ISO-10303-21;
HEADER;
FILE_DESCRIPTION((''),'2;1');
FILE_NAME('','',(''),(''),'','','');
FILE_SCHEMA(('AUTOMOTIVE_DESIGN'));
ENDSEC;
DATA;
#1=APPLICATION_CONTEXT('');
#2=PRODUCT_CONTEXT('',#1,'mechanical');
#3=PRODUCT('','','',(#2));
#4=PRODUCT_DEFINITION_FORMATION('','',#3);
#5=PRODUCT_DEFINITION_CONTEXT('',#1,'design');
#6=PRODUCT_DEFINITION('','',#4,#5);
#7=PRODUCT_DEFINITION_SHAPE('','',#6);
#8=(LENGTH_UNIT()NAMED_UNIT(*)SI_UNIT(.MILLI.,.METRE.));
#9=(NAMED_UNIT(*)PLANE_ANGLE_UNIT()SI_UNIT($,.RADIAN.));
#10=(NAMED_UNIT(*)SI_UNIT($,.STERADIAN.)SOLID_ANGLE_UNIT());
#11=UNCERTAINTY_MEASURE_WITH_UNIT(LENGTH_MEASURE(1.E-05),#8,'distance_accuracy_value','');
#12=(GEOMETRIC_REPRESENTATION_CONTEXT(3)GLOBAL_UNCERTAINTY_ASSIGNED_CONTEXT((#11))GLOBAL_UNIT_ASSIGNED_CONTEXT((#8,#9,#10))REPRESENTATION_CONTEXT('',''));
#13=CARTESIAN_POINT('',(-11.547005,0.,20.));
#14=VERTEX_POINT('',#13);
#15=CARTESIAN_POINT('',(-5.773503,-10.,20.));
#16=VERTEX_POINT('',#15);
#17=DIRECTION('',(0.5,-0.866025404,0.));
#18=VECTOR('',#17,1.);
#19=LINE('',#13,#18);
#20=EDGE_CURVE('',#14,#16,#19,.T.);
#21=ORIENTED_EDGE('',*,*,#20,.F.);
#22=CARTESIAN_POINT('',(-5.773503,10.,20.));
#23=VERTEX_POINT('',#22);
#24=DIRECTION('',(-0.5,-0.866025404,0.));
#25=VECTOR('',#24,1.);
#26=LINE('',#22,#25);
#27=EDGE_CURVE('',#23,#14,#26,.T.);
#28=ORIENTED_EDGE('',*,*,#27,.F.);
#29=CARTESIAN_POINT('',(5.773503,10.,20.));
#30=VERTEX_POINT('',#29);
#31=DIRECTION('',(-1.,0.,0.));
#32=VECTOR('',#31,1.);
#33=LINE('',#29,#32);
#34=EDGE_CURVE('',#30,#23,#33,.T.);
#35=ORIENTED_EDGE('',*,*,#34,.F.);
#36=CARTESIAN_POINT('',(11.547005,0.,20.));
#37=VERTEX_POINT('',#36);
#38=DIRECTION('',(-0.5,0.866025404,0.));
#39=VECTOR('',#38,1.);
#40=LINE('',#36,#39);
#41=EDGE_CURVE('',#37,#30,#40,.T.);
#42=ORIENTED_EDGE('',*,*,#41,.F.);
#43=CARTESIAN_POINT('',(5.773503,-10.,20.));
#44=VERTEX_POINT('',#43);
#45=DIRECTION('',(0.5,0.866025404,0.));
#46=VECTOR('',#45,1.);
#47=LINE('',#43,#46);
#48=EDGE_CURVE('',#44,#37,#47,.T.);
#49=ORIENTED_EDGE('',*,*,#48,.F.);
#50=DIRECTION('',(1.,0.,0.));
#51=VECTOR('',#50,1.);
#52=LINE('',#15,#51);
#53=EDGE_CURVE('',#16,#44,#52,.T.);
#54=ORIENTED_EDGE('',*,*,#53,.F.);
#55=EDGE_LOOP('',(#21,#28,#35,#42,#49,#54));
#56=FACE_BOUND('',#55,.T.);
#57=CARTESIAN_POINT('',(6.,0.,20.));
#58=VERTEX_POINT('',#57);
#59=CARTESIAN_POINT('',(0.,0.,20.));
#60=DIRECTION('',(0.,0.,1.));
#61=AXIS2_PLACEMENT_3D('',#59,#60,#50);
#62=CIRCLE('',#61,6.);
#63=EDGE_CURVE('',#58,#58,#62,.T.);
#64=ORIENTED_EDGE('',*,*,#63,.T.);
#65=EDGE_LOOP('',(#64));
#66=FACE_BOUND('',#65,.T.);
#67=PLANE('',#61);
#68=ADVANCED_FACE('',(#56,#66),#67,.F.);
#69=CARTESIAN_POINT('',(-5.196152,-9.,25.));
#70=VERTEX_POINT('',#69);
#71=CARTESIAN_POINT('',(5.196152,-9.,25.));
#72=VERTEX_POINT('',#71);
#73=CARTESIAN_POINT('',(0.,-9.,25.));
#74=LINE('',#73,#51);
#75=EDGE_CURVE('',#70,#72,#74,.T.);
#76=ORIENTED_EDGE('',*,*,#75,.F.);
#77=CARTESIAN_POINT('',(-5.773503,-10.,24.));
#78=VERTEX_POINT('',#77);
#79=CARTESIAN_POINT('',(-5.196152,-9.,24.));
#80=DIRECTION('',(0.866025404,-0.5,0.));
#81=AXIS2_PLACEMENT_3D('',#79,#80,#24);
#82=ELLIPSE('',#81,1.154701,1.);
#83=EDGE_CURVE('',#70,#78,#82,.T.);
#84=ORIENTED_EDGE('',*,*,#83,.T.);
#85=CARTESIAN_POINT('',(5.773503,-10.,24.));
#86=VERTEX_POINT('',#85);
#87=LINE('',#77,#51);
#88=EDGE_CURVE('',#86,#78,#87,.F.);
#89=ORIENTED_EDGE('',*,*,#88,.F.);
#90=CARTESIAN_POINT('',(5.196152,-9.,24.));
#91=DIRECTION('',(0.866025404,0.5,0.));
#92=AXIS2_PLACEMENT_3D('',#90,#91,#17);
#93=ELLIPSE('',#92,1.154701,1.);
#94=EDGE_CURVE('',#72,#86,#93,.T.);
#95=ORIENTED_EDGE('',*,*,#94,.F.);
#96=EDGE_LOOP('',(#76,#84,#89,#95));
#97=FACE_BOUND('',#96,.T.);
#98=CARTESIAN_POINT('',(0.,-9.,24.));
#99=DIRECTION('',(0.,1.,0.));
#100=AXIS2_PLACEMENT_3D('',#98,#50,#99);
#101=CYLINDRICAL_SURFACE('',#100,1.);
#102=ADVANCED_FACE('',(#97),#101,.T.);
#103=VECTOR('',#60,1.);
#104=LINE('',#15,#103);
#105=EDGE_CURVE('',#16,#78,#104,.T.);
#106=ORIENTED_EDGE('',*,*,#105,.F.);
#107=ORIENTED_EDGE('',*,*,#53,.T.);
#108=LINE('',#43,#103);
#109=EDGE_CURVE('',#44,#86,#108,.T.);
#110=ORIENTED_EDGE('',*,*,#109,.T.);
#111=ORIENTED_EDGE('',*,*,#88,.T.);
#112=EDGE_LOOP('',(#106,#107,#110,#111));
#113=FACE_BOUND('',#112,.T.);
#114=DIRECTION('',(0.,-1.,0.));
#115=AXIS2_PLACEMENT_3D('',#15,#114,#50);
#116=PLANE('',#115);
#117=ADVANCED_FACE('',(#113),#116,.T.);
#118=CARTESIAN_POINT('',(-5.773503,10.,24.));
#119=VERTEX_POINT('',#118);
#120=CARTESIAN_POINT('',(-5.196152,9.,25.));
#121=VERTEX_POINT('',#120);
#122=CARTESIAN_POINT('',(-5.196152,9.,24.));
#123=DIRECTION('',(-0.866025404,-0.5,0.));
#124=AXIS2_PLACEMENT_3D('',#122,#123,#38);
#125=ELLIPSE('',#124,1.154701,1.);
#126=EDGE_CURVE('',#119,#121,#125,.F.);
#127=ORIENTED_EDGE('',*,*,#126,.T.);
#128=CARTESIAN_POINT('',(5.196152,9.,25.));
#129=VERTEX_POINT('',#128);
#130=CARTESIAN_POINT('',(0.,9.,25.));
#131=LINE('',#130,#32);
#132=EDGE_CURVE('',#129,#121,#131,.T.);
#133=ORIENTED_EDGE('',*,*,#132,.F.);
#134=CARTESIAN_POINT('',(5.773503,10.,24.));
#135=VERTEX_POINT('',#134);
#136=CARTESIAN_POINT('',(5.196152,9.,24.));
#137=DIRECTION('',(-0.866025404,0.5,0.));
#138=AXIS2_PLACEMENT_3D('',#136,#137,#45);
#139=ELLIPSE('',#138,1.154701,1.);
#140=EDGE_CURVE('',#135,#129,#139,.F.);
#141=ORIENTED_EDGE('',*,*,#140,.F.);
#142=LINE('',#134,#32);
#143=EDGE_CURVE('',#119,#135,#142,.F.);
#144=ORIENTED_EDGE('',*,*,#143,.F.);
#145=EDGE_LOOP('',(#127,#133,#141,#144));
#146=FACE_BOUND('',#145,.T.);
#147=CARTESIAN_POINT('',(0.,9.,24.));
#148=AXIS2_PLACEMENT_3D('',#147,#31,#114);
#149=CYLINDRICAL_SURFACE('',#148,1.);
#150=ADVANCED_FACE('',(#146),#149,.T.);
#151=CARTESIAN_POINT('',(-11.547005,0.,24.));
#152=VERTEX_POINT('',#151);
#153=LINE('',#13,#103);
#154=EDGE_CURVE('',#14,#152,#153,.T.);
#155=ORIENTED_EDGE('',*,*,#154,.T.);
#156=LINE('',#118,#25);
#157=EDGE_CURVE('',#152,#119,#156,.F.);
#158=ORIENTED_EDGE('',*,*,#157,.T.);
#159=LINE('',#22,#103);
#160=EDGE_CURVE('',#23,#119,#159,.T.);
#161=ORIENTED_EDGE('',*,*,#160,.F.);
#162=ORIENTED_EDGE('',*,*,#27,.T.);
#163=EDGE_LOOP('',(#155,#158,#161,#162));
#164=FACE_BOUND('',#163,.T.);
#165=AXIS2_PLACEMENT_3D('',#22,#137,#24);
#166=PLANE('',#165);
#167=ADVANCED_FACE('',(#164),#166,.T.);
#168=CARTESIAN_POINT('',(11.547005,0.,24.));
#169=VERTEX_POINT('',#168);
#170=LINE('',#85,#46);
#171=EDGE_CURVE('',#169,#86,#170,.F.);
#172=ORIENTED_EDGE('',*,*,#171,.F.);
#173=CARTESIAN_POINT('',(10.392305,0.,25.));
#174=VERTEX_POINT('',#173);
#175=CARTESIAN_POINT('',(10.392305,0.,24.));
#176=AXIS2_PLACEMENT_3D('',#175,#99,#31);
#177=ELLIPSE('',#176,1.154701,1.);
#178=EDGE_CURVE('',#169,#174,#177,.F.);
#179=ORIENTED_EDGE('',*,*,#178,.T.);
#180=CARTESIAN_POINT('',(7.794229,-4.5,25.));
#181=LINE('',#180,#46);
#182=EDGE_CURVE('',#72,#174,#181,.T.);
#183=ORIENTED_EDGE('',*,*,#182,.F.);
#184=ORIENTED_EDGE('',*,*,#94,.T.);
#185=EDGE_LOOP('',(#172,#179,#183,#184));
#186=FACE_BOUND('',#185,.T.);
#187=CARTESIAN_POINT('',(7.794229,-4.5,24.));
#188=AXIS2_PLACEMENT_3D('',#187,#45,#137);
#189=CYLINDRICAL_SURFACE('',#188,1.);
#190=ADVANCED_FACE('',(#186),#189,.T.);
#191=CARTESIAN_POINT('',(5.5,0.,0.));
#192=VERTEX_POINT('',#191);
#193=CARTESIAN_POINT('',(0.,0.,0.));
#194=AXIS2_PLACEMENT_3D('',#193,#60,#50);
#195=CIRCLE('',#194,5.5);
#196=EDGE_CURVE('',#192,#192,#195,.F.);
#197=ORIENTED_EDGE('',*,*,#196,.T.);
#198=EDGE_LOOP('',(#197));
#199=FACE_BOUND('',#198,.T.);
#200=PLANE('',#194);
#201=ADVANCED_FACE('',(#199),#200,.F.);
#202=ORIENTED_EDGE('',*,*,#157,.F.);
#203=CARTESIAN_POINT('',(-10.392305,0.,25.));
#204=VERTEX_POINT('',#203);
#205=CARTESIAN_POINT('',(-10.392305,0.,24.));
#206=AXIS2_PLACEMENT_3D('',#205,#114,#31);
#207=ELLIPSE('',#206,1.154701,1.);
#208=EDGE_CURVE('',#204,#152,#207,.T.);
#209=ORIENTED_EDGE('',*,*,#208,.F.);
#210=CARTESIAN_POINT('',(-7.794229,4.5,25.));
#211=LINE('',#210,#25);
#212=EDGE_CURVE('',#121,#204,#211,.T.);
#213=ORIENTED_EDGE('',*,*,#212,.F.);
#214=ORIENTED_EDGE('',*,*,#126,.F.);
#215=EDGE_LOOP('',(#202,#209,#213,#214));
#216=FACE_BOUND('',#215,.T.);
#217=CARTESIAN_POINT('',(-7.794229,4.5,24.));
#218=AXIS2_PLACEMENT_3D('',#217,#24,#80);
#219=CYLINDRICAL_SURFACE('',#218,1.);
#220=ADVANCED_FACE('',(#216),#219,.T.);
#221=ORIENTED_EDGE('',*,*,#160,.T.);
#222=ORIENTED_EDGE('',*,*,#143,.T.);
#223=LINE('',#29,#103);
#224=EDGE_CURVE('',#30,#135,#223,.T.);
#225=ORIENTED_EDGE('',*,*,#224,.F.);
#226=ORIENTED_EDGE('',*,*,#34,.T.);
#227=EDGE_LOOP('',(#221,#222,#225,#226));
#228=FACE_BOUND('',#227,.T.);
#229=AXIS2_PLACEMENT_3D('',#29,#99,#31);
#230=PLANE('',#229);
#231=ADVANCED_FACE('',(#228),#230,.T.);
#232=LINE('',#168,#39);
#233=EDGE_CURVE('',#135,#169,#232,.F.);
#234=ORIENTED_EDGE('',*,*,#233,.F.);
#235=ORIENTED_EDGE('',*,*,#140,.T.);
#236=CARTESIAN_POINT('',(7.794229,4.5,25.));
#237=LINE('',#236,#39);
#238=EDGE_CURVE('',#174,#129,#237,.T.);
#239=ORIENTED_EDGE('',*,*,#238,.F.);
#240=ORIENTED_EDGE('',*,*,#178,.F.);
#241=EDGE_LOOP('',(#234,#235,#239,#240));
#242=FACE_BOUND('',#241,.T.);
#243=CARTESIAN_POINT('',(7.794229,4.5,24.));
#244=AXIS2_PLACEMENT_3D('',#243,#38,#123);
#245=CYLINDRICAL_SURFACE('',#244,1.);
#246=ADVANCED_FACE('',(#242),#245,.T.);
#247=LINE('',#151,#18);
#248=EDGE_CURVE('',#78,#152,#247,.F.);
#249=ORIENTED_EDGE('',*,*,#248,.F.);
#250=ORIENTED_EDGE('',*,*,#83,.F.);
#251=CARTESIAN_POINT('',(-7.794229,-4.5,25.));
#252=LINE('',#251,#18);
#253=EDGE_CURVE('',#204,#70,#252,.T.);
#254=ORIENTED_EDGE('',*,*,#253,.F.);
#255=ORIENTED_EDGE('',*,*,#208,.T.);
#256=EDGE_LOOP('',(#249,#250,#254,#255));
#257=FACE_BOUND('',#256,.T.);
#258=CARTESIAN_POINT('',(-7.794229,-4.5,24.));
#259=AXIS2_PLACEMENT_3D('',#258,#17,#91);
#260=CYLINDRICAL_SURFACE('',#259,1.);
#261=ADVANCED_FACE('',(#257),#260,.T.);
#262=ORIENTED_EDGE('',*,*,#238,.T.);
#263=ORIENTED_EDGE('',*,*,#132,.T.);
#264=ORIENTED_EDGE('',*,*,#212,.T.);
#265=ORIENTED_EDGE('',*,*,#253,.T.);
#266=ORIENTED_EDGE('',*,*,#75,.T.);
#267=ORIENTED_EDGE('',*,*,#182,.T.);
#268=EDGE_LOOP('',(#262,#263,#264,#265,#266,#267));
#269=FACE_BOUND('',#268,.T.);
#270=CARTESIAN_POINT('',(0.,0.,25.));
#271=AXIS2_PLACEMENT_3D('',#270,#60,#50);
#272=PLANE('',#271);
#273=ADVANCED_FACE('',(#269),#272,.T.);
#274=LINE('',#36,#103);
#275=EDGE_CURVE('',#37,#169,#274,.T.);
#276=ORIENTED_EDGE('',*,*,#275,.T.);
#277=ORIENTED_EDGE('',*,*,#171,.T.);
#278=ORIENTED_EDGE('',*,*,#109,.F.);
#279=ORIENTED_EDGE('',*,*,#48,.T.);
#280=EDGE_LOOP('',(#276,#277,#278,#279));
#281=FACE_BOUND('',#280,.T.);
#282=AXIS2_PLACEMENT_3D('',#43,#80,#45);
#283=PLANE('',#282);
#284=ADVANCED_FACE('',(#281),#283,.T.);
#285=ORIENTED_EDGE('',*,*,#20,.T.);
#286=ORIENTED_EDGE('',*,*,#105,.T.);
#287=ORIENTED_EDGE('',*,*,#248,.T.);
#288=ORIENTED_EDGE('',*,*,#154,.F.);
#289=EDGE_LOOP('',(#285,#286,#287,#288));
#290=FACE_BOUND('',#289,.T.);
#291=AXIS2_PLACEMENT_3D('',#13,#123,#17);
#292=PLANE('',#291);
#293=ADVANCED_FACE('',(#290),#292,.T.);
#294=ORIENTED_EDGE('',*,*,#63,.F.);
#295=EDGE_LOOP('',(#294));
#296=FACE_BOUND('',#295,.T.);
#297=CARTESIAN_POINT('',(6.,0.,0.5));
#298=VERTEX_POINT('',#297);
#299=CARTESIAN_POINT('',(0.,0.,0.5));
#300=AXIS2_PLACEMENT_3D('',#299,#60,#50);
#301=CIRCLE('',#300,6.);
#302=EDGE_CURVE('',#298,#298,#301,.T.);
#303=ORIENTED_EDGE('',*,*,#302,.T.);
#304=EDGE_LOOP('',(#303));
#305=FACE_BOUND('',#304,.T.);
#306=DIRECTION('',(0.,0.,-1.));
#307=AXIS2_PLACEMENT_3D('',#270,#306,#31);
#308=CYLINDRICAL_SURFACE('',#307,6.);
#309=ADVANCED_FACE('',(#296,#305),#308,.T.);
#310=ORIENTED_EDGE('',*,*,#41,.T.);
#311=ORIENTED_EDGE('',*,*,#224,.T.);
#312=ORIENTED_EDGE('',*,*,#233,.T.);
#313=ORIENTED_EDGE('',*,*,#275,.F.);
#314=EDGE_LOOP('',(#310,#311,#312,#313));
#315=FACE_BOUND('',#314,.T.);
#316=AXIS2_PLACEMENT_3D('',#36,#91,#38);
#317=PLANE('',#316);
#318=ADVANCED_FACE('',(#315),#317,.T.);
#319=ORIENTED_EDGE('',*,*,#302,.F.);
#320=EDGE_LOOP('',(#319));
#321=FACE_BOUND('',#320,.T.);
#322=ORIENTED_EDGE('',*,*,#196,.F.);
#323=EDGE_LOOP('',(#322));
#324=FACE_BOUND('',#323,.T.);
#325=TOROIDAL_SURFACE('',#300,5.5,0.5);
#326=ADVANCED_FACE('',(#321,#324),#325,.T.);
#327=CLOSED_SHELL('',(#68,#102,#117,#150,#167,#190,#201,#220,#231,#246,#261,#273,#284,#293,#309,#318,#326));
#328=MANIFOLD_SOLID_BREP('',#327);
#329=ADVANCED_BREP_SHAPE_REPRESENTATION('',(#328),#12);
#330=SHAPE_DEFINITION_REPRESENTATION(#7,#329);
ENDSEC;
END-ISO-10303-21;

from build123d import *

# Parameters (mm, degrees)
SKETCH_1_R      = 6
EXTRUDE_1_DEPTH = 25
EXTRUDE_2_DEPTH = 5
FILLET_1_R      = 1
FILLET_2_R      = 0.5


with BuildPart() as part:
    # 草图1 → 凸台-拉伸1 (new body)
    with BuildSketch(Plane.XY):
        Circle(SKETCH_1_R)
    extrude(amount=EXTRUDE_1_DEPTH)

    # 草图3 → 凸台-拉伸2 (add)
    with BuildSketch(Plane.XY.offset(25)):
        Polygon((5.773502692, -10), (11.547005384, 0), (5.773502692, 10), (-5.773502692, 10), (-11.547005384, 0), (-5.773502692, -10), align=None)
    extrude(amount=-EXTRUDE_2_DEPTH)

    # 圆角1
    fillet_1_edges = [part.edges().sort_by_distance(p)[0] for p in [
        (0, -10, 25),
        (8.660254038, -5, 25),
        (8.660254038, 5, 25),
        (0, 10, 25),
        (-8.660254038, 5, 25),
        (-8.660254038, -5, 25),
    ]]
    fillet(fillet_1_edges, radius=FILLET_1_R)

    # 圆角2
    fillet_2_edges = [part.edges().sort_by_distance(p)[0] for p in [
        (-6, 0, 0),
    ]]
    fillet(fillet_2_edges, radius=FILLET_2_R)


solid = part.part
